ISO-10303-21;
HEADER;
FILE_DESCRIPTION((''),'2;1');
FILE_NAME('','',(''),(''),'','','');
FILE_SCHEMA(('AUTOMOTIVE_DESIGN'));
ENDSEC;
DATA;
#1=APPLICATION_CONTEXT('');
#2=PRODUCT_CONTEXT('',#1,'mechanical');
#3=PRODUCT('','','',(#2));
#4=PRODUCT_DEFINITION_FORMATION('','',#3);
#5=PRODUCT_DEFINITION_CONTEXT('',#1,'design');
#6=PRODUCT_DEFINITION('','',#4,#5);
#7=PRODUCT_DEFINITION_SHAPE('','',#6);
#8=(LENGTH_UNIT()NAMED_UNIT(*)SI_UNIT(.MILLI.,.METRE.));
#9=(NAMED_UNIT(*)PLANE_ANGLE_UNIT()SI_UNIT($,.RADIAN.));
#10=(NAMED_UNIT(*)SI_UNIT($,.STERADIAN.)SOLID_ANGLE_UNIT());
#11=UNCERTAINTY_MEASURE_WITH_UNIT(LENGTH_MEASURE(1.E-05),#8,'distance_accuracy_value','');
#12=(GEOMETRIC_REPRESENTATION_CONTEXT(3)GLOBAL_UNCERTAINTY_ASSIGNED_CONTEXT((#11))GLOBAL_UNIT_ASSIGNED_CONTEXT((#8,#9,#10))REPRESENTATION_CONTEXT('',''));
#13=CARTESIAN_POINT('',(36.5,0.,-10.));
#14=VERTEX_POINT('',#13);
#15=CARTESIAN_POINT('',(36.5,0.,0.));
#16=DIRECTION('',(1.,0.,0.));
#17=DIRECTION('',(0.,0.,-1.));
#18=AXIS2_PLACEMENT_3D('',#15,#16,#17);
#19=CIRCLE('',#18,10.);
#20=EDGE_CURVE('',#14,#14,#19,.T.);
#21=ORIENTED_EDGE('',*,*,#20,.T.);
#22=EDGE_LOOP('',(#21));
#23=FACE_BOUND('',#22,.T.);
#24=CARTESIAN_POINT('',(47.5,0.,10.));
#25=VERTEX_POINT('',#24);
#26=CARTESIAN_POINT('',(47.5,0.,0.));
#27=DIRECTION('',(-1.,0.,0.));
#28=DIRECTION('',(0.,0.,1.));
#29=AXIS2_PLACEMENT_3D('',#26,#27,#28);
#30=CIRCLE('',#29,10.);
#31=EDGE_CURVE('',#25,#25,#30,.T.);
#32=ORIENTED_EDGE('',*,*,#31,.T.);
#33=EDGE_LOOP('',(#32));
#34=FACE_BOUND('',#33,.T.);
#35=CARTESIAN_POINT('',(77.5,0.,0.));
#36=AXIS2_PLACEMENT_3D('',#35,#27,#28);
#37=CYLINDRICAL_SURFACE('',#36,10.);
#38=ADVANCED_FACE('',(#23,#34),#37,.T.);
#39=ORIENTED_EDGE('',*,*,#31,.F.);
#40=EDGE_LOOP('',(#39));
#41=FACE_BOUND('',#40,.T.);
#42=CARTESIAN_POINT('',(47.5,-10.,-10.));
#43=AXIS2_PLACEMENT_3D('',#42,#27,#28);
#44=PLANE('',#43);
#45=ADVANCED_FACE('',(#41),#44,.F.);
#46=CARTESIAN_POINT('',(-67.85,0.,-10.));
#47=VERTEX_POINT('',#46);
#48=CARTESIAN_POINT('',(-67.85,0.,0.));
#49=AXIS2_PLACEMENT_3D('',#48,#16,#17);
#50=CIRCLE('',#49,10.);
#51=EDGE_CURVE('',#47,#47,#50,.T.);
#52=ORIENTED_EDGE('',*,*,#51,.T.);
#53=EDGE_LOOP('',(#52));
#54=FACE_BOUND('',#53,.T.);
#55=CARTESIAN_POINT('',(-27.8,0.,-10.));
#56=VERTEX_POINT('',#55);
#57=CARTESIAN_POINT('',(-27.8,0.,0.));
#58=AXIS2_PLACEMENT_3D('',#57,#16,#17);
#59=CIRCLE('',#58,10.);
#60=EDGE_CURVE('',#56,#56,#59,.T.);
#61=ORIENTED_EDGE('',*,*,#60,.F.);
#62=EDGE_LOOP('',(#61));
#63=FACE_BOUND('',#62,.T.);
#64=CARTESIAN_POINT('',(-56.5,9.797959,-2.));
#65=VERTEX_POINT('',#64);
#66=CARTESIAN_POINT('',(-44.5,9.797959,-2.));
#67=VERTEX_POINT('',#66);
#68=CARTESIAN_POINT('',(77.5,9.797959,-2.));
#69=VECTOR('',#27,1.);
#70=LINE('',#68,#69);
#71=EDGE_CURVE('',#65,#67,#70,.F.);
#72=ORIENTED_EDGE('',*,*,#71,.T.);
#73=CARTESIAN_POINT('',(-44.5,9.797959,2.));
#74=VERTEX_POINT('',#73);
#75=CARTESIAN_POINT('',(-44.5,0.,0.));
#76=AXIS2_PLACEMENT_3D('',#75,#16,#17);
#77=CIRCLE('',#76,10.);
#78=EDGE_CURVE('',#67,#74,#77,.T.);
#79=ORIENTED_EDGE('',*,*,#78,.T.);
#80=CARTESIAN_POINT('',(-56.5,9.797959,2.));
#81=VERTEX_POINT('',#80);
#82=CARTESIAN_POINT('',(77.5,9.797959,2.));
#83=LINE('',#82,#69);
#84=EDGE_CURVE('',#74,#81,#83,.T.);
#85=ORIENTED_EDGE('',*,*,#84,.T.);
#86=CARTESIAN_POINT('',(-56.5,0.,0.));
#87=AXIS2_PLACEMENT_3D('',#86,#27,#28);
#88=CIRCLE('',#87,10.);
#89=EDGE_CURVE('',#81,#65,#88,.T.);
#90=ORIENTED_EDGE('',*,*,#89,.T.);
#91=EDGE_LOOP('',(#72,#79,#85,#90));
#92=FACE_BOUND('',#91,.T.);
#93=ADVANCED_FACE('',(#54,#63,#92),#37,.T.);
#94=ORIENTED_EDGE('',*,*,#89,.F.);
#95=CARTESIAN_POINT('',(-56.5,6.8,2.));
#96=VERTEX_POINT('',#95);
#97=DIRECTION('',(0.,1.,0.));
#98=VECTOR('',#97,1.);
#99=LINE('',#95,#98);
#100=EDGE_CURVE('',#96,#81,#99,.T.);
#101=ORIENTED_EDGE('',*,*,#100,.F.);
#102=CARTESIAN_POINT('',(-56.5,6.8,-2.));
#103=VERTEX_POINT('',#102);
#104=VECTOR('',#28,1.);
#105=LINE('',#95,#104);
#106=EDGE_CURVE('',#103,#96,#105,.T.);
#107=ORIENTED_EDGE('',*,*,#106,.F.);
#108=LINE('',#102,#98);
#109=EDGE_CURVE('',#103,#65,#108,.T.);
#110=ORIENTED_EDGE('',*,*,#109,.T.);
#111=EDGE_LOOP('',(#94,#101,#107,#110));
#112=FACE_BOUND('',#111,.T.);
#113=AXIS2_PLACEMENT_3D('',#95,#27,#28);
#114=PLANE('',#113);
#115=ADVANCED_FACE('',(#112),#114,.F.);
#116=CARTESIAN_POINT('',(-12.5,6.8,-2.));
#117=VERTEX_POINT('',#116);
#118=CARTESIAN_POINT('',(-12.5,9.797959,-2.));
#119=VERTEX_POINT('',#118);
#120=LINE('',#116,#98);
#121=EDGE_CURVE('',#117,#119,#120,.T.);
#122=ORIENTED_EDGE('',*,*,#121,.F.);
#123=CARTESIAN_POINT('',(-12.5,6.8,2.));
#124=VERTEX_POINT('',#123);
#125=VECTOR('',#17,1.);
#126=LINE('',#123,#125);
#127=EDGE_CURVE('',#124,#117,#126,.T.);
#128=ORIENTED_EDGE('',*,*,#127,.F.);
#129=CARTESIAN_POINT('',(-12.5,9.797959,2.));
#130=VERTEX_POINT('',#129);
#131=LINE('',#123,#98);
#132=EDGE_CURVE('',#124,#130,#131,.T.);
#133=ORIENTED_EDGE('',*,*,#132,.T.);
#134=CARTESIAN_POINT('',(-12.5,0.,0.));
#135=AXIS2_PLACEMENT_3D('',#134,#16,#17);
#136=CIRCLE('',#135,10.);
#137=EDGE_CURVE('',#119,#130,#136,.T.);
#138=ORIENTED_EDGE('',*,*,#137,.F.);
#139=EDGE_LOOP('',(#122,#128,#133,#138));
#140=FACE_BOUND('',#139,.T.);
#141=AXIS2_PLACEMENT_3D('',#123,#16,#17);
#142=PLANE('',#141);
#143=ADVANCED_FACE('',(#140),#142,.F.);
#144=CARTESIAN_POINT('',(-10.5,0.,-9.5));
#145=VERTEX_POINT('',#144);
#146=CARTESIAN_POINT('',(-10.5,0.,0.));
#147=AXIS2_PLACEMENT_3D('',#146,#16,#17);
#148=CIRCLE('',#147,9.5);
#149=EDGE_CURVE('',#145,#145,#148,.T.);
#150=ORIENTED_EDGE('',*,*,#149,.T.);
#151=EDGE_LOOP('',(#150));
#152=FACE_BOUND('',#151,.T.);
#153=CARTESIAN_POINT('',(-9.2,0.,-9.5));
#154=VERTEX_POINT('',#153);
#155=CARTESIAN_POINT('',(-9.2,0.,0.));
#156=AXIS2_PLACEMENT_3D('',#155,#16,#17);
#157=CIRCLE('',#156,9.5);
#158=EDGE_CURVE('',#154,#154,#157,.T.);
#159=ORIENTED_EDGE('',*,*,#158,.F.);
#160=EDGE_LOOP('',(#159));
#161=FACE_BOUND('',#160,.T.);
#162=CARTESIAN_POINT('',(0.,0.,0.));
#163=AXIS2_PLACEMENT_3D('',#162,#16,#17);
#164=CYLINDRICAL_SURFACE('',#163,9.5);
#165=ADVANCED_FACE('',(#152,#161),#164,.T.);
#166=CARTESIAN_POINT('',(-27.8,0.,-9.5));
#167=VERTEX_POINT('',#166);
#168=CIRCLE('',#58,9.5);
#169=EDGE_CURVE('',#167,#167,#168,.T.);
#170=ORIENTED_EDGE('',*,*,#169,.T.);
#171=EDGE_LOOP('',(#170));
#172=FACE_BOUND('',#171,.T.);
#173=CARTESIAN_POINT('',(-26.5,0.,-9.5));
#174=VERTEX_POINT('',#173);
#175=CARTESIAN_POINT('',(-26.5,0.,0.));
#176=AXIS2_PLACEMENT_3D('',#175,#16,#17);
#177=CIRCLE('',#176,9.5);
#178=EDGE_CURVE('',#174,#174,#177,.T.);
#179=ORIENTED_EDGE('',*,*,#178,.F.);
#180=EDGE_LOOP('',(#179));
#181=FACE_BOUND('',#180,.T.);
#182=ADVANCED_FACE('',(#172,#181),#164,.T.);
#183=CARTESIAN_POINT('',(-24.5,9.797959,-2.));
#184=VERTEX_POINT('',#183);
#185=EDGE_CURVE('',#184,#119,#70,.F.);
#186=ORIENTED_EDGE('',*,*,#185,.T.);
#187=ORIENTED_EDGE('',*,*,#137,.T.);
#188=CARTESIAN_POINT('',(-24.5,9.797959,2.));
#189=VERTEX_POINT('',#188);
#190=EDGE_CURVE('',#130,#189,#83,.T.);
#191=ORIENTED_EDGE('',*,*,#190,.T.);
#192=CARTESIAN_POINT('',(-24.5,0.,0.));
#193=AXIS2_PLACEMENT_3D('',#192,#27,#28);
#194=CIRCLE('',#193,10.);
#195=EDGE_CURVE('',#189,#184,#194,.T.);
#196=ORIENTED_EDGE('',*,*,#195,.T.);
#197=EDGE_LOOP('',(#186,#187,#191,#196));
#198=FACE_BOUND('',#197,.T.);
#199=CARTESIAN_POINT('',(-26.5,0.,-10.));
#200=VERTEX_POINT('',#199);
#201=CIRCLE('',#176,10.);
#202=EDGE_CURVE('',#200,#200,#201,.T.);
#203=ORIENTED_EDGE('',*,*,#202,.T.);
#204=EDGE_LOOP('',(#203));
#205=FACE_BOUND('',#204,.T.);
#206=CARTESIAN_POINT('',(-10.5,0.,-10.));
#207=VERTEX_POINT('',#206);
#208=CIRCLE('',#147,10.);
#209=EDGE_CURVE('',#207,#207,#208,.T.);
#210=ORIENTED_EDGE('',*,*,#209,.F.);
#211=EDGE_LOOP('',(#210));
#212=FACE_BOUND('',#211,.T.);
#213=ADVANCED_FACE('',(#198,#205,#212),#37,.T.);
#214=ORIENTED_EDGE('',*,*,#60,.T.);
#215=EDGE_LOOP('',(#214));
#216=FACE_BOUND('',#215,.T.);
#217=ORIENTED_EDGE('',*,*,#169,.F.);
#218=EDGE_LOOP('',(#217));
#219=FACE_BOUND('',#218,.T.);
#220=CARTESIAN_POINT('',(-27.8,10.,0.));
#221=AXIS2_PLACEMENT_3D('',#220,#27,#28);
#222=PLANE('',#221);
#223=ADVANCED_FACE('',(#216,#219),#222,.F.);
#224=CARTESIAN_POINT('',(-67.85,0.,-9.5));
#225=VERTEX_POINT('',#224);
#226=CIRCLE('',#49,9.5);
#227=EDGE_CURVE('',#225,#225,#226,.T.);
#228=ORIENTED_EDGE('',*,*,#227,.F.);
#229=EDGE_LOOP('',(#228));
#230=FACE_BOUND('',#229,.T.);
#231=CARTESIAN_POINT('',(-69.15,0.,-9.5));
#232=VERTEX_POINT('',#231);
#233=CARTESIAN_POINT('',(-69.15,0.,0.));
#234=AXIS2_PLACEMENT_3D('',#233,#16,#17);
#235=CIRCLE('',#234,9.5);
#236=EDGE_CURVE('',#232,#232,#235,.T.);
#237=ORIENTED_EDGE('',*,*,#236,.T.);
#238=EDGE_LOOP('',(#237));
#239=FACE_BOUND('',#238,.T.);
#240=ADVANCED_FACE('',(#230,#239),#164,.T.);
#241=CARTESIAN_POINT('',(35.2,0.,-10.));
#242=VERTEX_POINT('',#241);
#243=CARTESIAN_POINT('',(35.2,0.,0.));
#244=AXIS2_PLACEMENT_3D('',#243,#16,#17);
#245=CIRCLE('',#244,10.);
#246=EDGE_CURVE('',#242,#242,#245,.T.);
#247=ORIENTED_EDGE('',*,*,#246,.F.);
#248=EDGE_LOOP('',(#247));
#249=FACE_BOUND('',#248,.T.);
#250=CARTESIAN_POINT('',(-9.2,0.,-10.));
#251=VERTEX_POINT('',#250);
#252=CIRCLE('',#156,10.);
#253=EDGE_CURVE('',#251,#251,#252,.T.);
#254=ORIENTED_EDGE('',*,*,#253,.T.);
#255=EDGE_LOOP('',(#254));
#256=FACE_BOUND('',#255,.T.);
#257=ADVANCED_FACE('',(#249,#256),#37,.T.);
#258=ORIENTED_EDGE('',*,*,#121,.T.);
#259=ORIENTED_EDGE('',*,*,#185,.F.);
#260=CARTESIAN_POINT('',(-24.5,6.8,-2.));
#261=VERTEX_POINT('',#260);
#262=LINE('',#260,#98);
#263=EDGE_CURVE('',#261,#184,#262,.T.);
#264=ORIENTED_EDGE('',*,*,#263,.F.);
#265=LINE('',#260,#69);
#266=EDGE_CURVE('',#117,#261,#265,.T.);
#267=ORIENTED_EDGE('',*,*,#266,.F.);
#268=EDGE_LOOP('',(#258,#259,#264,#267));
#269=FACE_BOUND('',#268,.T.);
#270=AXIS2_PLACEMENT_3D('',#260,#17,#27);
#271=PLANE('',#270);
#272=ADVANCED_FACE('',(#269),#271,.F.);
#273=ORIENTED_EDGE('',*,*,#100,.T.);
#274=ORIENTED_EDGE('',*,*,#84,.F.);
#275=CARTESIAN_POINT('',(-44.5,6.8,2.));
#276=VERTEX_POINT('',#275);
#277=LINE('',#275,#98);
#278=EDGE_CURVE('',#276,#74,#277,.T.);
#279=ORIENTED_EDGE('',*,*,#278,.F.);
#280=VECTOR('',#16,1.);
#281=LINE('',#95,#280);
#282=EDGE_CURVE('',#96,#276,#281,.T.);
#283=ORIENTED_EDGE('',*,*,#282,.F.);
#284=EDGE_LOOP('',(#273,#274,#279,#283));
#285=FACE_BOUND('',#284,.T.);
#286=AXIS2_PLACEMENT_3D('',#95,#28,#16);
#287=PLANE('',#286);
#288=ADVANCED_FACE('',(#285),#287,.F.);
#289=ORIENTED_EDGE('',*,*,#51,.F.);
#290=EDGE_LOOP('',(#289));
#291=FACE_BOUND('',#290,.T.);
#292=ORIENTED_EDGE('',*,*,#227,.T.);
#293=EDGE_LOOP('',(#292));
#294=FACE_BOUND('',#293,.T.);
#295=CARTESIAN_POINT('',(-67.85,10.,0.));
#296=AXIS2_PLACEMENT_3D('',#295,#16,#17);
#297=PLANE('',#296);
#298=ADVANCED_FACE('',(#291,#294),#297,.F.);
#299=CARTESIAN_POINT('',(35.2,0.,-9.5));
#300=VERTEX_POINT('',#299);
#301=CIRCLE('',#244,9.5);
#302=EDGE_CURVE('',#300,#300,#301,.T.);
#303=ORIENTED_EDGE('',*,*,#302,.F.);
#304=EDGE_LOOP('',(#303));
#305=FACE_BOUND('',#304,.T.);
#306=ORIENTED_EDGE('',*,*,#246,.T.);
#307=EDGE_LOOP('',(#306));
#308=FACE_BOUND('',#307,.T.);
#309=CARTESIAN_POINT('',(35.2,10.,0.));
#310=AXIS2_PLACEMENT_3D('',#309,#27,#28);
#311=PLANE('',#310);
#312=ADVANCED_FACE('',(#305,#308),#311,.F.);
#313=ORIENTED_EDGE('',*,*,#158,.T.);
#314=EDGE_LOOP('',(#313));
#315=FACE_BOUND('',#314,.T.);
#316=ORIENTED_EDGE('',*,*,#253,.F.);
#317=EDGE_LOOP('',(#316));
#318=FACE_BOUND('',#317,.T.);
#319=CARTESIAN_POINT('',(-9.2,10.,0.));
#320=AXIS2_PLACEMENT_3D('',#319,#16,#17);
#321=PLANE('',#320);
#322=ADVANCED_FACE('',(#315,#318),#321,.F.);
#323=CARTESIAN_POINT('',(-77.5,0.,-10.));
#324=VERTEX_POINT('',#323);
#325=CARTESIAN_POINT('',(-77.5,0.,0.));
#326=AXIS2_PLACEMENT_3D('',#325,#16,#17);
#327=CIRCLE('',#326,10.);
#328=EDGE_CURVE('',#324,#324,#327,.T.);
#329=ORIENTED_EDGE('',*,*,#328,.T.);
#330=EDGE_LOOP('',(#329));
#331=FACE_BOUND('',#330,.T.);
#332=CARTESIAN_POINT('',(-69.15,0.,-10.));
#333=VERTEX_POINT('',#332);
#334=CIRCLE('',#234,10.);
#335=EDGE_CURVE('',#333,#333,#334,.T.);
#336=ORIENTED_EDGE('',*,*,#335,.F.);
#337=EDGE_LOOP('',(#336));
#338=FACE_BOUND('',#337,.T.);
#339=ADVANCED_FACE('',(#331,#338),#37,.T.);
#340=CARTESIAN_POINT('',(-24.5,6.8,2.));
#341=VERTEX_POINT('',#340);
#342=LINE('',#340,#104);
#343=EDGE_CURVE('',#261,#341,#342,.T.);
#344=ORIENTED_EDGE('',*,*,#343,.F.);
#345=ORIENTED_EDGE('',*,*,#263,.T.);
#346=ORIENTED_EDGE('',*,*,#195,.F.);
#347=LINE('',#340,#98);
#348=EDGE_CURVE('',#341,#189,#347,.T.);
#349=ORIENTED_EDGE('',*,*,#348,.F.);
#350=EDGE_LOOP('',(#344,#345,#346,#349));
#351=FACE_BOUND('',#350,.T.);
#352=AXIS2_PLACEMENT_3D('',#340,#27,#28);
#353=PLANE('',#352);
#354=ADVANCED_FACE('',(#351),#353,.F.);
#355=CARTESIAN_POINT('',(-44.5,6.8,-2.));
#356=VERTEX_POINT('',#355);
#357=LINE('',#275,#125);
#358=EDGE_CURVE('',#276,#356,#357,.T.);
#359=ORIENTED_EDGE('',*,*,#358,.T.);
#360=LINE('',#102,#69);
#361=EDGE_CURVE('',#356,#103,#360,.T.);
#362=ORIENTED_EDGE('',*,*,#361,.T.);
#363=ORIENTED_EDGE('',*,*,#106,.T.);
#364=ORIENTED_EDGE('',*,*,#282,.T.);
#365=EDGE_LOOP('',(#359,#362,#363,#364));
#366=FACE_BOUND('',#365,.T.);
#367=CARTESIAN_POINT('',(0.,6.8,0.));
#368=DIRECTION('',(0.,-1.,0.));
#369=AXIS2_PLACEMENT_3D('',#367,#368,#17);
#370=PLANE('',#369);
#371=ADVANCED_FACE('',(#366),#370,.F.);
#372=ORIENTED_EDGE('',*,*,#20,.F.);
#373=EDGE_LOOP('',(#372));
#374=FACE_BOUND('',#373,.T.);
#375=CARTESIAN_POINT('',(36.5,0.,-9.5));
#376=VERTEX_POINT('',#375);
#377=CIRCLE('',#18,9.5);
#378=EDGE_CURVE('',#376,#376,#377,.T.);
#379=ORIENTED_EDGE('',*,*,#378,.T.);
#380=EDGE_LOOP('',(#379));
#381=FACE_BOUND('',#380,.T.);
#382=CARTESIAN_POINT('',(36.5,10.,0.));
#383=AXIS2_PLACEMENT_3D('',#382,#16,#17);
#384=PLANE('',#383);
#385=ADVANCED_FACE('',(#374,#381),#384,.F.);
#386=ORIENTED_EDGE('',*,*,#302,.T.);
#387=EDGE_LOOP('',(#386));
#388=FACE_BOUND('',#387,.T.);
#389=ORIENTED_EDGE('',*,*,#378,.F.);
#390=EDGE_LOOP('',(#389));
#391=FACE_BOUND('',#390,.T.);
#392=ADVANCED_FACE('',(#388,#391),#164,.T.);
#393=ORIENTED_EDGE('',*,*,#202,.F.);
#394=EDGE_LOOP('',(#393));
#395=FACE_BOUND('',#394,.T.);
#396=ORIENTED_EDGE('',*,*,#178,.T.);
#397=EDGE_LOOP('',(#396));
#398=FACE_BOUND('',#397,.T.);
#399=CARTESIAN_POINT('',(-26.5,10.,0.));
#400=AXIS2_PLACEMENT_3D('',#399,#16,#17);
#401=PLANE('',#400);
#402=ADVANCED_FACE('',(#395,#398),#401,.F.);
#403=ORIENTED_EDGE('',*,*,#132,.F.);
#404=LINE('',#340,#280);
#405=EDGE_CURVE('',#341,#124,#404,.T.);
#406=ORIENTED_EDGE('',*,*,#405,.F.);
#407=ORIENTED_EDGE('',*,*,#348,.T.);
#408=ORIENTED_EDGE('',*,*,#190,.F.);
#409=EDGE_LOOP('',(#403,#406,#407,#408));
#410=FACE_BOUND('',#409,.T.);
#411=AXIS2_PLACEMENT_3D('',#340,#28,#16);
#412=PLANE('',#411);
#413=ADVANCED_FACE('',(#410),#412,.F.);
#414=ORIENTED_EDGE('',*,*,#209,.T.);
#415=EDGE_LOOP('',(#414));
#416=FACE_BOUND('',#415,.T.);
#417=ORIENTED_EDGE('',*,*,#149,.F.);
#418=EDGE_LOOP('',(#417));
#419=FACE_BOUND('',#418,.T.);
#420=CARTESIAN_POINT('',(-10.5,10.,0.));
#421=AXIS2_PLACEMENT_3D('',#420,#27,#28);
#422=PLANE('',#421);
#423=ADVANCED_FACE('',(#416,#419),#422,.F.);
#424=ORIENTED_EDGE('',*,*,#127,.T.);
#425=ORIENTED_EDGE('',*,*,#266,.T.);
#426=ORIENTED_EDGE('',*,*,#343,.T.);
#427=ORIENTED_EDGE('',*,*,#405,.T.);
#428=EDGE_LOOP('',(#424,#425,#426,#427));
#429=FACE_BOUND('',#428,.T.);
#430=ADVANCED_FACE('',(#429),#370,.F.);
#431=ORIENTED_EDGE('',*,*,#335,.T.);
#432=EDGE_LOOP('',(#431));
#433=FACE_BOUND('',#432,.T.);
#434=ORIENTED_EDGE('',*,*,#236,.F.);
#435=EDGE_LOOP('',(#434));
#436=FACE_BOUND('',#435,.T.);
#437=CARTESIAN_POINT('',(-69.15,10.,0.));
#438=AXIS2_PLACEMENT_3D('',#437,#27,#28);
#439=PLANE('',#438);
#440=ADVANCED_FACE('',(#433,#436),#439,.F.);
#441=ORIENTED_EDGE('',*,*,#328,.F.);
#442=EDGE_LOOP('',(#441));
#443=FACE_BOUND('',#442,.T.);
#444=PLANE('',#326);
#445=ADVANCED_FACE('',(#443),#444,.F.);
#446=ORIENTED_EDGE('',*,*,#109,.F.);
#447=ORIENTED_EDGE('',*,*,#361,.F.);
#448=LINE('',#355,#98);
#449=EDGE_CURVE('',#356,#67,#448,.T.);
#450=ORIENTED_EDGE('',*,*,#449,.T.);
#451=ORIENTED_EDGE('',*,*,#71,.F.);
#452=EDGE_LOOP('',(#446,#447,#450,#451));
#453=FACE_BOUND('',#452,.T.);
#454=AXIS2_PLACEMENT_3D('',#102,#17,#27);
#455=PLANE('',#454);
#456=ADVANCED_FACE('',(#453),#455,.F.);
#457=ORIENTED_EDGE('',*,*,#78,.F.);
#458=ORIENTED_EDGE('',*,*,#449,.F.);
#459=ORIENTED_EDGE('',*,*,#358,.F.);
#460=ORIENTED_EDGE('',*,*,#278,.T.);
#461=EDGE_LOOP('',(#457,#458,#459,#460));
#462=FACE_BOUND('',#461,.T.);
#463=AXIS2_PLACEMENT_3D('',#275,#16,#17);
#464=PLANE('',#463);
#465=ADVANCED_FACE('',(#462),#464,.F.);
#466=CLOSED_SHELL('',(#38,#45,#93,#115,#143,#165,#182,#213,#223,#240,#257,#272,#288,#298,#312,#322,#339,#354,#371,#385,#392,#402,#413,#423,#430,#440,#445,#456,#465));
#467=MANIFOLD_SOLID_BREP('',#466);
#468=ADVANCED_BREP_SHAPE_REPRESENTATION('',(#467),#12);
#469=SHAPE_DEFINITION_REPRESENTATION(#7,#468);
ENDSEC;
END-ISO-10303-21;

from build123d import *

# Parameters (mm, degrees)
SKETCH1_R           = 10
BOSS_EXTRUDE1_DEPTH = 77.5
SKETCH2_W           = 12
SKETCH2_H           = 4
CUT_EXTRUDE1_DEPTH  = 3.2
SKETCH5_W           = 1.3
SKETCH5_H           = 0.5
SKETCH6_W           = 30
SKETCH6_H           = 20
CUT_EXTRUDE2_DEPTH  = 81.661329025


with BuildPart() as part:
    # Sketch1 → Boss-Extrude1 (new, symmetric)
    with BuildSketch(Plane(origin=(0, 0, 0), x_dir=(0, 0, -1), z_dir=(1, 0, 0))):
        Circle(SKETCH1_R)
    extrude(amount=BOSS_EXTRUDE1_DEPTH, both=True)

    # Sketch2 → Cut-Extrude1 (cut)
    with BuildSketch(Plane(origin=(0, 10, 0), x_dir=(1, 0, 0), z_dir=(0, 1, 0))):
        with Locations((-50.5, 0)):
            Rectangle(SKETCH2_W, SKETCH2_H)
        with Locations((-18.5, 0)):
            Rectangle(SKETCH2_W, SKETCH2_H)
        with Locations((66.5, 0)):
            Rectangle(SKETCH2_W, SKETCH2_H)
    extrude(amount=-CUT_EXTRUDE1_DEPTH, mode=Mode.SUBTRACT)

    # Sketch5 → Cut-Revolve2 (revolve, cut)
    with BuildSketch(Plane.XY, mode=Mode.PRIVATE) as cut_revolve2_sk:
        with Locations((-27.15, 9.75)):
            Rectangle(SKETCH5_W, SKETCH5_H)
        with Locations((-9.85, 9.75)):
            Rectangle(SKETCH5_W, SKETCH5_H)
        with Locations((75.15, 9.75)):
            Rectangle(SKETCH5_W, SKETCH5_H)
        with Locations((57.85, 9.75)):
            Rectangle(SKETCH5_W, SKETCH5_H)
        with Locations((35.85, 9.75)):
            Rectangle(SKETCH5_W, SKETCH5_H)
        with Locations((-68.5, 9.75)):
            Rectangle(SKETCH5_W, SKETCH5_H)
    revolve(cut_revolve2_sk.sketch.rotate(Axis((0, 0, 0), (-1, 0, 0)), 90), axis=Axis((0, 0, 0), (-1, 0, 0)), mode=Mode.SUBTRACT)

    # Sketch6 → Cut-Extrude2 (cut, through all)
    with BuildSketch(Plane(origin=(0, 10, 0), x_dir=(1, 0, 0), z_dir=(0, 1, 0))):
        with Locations((62.5, 0)):
            Rectangle(SKETCH6_W, SKETCH6_H)
    extrude(amount=-CUT_EXTRUDE2_DEPTH, mode=Mode.SUBTRACT)


solid = part.part
